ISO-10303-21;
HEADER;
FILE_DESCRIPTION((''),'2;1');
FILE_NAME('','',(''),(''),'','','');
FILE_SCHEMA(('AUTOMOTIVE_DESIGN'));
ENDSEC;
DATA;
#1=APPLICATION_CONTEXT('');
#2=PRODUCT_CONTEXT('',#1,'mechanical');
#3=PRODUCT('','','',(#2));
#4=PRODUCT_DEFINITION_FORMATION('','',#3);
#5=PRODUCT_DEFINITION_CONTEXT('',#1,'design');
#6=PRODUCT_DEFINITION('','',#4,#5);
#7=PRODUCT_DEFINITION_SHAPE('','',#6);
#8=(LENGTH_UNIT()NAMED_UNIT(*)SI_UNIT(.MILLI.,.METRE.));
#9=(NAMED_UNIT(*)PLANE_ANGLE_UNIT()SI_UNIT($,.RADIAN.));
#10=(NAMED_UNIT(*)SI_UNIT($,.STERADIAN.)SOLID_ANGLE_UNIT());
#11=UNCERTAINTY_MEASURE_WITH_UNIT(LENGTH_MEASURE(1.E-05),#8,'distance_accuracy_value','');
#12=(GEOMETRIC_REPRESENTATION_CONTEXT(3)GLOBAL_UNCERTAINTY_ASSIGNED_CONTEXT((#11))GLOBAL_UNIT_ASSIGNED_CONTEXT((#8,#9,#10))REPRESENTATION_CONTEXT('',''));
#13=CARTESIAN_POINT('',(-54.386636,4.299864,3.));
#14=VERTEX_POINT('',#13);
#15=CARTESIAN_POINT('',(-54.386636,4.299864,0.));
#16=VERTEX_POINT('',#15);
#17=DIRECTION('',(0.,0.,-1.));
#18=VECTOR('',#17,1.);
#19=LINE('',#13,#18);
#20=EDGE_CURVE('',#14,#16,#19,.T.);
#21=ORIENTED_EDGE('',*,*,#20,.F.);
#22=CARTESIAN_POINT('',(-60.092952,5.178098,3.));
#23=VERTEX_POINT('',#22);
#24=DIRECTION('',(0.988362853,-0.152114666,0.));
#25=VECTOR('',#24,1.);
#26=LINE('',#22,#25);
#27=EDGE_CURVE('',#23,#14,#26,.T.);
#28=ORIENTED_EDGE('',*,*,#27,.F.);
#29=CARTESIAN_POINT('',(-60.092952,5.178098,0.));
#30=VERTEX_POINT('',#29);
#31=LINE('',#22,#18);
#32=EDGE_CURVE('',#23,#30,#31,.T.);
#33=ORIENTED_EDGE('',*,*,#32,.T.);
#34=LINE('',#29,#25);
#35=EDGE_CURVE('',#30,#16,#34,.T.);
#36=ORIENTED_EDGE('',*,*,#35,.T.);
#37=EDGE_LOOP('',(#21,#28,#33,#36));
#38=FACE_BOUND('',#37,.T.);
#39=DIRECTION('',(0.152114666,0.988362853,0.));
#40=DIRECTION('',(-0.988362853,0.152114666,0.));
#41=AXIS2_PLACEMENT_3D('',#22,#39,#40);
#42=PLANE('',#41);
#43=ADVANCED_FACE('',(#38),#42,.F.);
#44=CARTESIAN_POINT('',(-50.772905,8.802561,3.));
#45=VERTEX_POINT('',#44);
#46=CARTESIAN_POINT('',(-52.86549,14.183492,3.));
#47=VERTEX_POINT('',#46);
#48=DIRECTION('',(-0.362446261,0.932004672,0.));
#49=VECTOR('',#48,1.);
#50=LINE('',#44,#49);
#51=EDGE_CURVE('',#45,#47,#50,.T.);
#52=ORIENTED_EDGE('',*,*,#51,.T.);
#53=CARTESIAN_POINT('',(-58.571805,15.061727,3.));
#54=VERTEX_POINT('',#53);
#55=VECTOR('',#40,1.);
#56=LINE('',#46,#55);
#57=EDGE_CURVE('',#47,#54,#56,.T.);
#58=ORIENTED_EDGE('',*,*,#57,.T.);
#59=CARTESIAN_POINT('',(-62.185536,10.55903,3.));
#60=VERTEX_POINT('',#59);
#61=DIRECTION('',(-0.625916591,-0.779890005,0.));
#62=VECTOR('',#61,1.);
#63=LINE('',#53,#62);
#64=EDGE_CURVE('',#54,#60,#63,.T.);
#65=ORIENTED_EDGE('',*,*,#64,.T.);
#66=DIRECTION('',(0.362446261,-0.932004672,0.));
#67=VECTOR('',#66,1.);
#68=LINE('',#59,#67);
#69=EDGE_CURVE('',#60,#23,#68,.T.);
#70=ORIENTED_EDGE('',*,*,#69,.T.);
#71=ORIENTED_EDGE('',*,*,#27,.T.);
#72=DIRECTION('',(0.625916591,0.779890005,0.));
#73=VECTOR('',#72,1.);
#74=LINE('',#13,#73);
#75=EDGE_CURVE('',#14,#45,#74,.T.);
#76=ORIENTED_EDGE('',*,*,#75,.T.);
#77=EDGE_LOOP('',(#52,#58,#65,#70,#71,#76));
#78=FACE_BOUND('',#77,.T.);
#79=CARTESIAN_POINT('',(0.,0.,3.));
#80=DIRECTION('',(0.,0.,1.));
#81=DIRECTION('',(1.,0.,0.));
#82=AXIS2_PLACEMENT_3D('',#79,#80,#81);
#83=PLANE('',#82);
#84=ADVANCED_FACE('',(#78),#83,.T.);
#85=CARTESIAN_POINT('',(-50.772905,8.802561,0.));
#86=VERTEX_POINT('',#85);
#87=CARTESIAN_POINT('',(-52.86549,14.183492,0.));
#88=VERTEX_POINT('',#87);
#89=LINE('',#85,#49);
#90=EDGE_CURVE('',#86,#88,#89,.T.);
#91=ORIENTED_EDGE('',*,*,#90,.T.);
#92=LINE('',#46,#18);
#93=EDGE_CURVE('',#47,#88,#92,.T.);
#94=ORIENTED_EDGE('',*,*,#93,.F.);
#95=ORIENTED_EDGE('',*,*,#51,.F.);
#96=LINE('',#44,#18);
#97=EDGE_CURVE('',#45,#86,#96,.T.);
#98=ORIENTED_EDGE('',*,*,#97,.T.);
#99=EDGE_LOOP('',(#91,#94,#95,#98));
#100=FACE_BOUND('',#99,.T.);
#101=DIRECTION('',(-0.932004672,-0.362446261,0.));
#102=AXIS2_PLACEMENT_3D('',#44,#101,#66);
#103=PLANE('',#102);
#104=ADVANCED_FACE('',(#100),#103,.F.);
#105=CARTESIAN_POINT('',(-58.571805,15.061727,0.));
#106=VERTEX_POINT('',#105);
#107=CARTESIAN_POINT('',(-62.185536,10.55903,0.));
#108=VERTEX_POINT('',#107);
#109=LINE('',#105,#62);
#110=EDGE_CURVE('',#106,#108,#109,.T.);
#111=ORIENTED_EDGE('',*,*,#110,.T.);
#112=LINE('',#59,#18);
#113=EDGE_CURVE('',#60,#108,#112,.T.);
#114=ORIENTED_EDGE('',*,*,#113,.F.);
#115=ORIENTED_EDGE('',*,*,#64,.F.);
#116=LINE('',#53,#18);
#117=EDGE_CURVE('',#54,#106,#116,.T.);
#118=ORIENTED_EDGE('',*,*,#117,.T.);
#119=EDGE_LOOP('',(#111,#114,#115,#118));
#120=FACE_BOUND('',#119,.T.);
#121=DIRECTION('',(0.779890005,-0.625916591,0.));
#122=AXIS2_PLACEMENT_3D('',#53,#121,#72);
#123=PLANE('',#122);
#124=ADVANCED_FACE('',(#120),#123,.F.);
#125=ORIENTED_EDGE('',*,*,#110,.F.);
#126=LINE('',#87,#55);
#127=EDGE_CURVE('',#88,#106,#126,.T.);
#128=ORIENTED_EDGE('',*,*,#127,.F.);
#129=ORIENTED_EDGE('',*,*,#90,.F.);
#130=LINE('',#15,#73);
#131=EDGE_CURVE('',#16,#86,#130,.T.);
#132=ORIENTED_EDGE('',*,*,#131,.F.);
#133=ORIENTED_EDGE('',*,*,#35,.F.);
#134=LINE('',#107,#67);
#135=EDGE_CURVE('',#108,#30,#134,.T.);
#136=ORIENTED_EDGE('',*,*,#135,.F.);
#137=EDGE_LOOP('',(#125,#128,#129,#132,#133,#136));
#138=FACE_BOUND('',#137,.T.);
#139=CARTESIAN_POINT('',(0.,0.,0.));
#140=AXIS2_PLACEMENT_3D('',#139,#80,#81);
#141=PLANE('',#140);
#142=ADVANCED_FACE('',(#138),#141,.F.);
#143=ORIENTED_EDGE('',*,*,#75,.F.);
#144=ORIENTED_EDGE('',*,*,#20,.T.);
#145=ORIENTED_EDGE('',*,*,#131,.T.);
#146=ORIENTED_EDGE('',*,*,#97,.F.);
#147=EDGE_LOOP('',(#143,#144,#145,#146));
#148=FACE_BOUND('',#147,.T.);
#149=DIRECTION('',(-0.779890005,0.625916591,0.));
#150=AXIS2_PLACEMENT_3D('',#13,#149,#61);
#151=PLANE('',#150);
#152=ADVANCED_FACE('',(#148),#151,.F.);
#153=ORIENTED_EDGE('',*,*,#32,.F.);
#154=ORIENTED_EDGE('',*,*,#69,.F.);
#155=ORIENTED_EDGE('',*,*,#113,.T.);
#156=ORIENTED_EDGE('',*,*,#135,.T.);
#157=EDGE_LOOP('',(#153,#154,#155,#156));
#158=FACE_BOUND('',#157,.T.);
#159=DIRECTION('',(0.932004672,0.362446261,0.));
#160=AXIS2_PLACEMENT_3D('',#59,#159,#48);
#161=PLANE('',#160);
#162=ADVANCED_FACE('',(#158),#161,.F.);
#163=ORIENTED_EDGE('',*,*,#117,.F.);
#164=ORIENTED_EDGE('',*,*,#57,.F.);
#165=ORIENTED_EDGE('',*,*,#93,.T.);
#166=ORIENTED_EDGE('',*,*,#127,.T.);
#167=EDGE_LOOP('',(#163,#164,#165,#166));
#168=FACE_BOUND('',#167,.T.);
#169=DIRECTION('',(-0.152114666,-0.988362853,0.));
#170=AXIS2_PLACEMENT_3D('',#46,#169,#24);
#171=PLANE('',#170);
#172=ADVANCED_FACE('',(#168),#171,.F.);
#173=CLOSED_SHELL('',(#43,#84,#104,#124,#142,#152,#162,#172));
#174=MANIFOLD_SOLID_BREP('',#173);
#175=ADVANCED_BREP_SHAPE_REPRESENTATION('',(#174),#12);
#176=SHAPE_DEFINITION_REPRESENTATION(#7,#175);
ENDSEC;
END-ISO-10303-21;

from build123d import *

# Parameters (mm, degrees)
SALIENTE_EXTRUIR3_DEPTH = 3


with BuildPart() as part:
    # Croquis1 → Saliente-Extruir3 (new body)
    with BuildSketch(Plane.XY):
        Polygon((-54.386636348, 4.299863782), (-50.772905222, 8.802560828), (-52.865489687, 14.183492308), (-58.571805277, 15.061726742), (-62.185536402, 10.559029696), (-60.092951938, 5.178098216), align=None)
    extrude(amount=SALIENTE_EXTRUIR3_DEPTH)


solid = part.part
